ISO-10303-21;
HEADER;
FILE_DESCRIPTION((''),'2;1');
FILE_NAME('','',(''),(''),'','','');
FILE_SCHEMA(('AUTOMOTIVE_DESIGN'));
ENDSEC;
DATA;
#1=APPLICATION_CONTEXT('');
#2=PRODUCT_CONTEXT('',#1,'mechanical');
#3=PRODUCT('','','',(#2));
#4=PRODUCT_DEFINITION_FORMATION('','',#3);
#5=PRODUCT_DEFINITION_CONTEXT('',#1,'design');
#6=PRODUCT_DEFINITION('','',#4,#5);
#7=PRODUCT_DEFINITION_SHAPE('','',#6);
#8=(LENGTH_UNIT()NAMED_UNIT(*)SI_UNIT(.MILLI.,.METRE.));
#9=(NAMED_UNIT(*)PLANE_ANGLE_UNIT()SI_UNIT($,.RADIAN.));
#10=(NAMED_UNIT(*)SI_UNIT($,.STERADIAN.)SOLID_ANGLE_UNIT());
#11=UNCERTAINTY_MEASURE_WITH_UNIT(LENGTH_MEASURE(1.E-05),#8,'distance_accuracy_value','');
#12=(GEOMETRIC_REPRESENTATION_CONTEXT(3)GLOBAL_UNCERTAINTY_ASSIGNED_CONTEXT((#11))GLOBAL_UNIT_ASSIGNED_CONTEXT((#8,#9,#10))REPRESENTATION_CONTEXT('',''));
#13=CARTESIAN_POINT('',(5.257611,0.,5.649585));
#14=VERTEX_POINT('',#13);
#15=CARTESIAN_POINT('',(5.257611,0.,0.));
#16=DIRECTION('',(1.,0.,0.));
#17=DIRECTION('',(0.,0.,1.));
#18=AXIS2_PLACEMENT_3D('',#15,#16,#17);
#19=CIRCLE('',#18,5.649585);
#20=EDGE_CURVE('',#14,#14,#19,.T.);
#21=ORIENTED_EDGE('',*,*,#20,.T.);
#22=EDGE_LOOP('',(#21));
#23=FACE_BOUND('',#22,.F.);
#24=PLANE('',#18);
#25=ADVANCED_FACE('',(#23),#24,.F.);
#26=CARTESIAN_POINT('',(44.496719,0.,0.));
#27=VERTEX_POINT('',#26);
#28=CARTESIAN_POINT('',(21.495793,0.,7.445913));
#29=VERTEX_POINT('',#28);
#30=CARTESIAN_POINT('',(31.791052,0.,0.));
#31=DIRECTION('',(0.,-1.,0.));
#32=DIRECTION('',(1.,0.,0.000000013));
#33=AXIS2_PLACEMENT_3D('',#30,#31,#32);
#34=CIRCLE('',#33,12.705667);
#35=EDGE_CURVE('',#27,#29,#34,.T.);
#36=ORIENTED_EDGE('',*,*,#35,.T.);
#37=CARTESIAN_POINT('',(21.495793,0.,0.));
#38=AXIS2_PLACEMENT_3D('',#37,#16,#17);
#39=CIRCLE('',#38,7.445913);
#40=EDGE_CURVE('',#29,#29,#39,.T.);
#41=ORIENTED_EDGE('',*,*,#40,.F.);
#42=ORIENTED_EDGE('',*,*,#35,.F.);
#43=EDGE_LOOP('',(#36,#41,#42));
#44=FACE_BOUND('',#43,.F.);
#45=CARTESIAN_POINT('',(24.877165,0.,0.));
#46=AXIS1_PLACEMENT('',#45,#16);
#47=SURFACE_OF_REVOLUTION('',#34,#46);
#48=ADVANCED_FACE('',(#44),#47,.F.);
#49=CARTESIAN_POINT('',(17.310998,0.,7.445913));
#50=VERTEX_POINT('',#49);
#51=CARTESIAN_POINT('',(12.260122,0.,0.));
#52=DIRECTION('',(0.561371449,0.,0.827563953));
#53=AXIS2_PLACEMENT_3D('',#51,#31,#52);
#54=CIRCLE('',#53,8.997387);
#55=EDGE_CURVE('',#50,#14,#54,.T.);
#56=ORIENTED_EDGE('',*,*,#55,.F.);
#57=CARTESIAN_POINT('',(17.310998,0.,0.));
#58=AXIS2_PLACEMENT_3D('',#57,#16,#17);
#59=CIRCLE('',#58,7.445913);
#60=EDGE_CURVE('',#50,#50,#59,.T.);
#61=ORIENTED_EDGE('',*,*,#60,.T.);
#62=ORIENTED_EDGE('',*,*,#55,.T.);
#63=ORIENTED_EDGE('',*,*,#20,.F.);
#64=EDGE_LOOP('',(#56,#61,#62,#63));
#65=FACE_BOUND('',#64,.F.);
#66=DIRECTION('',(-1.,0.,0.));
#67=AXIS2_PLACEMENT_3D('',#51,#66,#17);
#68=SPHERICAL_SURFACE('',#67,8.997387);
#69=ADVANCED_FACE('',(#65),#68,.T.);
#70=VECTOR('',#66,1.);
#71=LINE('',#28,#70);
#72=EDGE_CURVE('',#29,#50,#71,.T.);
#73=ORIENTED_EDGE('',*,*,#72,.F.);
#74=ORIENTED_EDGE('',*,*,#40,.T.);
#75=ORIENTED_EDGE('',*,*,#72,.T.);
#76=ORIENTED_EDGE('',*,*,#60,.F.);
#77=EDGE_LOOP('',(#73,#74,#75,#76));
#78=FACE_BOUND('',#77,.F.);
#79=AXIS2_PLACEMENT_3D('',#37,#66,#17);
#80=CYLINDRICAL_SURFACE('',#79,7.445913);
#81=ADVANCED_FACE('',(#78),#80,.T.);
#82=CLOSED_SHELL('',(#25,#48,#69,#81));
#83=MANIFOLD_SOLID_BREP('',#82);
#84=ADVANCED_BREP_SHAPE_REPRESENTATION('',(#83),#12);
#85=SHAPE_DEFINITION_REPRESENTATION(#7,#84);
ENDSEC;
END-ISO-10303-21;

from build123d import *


with BuildPart() as f1:
    # F0 (on Front) → F1 (revolve)
    with BuildSketch(Plane.XZ):
        with BuildLine():
            Line((29.880675, 0), (44.496719, 0))
            ThreePointArc((44.496719, 0), (35.704225, 12.088054), (21.495793, 7.445913))
            Line((21.495793, 7.445913), (17.310998, 7.445913))
            ThreePointArc((17.310998, 7.445913), (10.93388, 8.899104), (5.257611, 5.649585))
            Line((5.257611, 5.649585), (5.257611, 0))
            Line((5.257611, 0), (12.260121, 0))
            Line((12.260121, 0), (17.260065, 0))
            Line((17.260065, 0), (29.880675, 0))
        make_face()
    revolve(axis=Axis((24.877165, 0, 0), (1, 0, 0)))


solid = f1.part
